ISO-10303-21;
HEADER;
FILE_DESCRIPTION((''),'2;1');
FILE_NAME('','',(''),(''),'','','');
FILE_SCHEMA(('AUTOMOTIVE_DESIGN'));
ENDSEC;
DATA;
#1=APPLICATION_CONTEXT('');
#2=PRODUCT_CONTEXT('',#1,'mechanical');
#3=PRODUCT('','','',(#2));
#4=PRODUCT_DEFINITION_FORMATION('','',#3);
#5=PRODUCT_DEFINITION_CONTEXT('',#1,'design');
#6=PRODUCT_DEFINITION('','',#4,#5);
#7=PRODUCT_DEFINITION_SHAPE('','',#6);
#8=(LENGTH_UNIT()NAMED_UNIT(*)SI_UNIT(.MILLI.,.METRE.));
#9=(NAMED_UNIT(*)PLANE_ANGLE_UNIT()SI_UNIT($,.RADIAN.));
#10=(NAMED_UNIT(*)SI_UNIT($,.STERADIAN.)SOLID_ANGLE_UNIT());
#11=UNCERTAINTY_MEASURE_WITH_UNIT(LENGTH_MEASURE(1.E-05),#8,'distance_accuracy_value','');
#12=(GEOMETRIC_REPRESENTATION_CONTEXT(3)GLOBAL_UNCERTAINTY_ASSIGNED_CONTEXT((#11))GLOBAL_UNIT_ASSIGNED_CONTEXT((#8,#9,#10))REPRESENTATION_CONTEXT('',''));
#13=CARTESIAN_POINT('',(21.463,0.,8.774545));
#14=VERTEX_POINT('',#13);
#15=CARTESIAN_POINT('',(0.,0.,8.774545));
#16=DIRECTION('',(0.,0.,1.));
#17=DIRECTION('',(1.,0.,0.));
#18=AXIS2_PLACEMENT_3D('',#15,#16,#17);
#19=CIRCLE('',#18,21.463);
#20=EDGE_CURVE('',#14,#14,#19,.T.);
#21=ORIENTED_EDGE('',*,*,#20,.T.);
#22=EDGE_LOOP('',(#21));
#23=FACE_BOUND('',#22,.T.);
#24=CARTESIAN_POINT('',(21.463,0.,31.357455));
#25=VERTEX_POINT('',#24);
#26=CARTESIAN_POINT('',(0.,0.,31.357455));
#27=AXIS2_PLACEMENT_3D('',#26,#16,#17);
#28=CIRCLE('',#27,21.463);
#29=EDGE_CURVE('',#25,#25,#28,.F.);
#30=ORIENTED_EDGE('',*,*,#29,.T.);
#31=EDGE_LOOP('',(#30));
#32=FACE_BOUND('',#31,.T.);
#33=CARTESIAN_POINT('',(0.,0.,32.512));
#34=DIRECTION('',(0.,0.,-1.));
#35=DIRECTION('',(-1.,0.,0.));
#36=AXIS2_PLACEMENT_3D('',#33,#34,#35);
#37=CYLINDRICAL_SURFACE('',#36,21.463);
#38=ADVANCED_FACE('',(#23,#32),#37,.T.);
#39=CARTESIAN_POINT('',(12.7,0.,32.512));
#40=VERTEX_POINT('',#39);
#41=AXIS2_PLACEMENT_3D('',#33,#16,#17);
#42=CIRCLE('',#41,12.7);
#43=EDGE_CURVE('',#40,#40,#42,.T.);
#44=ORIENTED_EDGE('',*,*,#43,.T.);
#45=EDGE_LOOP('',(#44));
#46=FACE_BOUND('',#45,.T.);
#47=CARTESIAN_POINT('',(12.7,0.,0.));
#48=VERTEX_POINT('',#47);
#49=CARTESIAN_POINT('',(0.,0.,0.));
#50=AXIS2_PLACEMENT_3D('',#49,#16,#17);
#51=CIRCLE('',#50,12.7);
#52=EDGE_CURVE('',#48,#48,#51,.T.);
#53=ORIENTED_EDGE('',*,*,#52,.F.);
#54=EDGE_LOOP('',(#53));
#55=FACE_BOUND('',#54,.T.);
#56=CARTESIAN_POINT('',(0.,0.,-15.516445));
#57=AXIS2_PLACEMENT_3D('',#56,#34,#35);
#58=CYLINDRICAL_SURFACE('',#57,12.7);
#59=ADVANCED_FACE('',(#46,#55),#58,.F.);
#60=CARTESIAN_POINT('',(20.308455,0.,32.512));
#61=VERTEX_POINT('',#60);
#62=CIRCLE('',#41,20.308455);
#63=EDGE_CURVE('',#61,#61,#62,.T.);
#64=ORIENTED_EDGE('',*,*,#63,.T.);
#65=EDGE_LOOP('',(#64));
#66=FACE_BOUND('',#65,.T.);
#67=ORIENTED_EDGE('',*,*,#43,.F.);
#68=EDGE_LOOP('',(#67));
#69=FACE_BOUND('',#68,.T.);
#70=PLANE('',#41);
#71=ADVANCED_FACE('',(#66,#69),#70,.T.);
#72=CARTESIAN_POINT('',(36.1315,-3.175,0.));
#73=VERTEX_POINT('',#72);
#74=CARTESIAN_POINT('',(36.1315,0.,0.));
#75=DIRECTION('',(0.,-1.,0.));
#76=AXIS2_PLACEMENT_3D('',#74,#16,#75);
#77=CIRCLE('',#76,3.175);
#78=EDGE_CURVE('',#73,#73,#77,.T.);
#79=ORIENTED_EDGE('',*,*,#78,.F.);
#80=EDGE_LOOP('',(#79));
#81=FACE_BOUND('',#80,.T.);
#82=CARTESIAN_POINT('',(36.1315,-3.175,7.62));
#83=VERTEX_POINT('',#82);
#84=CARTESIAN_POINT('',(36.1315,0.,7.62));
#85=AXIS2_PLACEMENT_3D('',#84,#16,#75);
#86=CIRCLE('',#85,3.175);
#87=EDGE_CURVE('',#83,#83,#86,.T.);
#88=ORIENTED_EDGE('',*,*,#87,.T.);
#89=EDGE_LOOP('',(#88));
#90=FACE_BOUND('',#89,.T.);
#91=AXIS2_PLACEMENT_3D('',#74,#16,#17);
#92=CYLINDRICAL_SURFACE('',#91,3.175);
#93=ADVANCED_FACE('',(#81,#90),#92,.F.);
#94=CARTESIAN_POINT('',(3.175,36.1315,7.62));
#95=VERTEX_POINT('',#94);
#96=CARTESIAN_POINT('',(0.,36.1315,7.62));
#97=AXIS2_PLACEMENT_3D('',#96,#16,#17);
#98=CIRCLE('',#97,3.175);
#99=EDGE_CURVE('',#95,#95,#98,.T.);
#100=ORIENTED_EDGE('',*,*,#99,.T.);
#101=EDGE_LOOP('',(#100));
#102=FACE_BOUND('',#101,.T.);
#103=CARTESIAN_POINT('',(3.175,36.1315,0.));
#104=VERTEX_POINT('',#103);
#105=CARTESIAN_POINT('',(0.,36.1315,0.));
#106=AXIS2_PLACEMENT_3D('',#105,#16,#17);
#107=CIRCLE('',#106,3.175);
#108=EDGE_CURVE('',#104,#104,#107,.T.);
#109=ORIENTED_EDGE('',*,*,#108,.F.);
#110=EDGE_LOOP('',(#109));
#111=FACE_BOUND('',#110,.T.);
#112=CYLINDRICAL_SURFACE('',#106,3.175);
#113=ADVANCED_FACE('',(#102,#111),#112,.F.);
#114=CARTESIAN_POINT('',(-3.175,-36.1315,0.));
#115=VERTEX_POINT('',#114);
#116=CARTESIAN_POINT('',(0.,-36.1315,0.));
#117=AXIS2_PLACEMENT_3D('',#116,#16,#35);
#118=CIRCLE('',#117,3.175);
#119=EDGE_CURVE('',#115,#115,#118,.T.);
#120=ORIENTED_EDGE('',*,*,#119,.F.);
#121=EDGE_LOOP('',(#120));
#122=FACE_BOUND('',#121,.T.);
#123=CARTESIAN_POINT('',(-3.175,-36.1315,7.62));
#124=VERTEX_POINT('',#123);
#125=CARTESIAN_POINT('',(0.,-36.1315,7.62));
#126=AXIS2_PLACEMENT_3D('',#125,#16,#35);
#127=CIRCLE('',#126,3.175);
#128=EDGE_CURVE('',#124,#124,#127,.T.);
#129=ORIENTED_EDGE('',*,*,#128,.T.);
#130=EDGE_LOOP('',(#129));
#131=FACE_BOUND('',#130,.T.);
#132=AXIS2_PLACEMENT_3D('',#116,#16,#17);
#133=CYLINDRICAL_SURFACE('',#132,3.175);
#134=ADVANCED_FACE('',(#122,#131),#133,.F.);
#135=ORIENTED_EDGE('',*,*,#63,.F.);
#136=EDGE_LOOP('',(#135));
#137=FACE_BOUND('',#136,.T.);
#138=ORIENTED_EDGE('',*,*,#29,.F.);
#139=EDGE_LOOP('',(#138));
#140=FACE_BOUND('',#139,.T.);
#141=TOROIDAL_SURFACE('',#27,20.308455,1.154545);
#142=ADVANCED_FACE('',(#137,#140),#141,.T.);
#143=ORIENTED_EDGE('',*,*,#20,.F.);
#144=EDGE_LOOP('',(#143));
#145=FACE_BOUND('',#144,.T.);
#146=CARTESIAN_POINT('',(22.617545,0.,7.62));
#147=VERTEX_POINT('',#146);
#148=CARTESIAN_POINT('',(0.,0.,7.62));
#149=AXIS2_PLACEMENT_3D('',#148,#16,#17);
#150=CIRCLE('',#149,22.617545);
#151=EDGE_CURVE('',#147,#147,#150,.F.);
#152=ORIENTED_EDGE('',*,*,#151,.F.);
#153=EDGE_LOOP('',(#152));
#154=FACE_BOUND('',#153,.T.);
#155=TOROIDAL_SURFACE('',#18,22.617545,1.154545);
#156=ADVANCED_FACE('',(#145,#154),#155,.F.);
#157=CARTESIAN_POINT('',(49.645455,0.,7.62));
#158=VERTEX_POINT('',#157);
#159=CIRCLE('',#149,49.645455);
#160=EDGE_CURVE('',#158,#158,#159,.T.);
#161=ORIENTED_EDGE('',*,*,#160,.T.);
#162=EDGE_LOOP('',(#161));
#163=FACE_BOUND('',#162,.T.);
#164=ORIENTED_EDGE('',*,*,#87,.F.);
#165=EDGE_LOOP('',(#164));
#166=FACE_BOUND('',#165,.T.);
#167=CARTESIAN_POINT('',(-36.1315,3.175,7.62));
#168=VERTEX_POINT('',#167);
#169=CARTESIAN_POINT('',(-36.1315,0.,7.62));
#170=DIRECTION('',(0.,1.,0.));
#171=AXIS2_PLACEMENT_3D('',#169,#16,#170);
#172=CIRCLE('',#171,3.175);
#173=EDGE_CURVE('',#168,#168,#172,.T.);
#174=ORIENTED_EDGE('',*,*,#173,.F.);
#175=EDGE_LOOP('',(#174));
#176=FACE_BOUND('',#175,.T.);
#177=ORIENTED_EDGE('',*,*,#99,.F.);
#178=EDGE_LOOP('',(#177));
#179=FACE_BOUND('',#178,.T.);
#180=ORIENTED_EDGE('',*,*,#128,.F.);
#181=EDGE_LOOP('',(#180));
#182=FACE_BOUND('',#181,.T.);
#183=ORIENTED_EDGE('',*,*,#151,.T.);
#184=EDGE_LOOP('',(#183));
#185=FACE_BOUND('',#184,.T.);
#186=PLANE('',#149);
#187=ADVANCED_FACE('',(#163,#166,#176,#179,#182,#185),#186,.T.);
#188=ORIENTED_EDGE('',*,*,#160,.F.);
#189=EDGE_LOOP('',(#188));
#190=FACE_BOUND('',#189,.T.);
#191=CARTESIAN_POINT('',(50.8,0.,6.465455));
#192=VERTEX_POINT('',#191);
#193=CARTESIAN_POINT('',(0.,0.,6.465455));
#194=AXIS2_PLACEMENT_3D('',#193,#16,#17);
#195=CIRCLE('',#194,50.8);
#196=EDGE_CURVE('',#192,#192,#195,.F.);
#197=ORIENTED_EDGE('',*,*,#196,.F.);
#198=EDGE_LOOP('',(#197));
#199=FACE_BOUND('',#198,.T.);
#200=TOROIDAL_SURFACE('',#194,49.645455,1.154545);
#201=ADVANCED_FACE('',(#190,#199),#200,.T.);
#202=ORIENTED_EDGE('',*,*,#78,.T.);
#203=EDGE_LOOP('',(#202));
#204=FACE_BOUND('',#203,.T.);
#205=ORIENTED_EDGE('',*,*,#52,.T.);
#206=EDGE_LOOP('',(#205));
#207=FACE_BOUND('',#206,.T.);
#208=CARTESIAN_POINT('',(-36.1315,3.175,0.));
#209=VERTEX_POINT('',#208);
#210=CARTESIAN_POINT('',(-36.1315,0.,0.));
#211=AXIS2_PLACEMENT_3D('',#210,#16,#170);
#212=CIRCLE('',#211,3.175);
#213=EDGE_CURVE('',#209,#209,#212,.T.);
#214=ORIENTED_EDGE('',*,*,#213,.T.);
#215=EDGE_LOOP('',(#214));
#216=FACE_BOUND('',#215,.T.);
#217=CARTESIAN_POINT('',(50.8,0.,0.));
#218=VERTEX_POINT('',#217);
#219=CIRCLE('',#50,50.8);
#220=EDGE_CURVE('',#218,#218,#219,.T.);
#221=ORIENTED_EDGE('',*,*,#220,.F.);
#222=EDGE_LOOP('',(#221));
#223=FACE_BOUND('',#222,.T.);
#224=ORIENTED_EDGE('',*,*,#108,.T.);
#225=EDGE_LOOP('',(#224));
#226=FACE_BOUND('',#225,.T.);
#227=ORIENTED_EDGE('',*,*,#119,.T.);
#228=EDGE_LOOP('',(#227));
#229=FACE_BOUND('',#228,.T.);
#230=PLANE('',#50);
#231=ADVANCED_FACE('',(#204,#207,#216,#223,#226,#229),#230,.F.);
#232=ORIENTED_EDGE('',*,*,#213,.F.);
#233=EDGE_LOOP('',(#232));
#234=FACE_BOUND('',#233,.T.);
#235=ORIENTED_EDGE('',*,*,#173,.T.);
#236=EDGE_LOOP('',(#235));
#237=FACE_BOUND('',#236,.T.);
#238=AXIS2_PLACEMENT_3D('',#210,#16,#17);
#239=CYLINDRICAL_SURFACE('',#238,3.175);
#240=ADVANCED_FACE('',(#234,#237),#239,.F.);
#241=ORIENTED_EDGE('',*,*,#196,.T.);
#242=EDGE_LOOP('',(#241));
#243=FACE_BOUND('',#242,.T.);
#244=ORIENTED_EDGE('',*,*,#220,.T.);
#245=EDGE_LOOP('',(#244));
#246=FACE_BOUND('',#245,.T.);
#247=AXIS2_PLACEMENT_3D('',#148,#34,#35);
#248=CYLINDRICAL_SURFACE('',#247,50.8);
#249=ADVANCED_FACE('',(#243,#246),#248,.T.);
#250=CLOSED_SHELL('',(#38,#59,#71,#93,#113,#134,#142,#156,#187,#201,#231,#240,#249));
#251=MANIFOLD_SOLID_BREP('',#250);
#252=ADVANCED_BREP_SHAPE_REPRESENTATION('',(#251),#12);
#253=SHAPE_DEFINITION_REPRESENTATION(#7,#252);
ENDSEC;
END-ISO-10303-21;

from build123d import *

# Parameters (mm, degrees)
SKETCH1_R         = 50.8
EXTRUDE1_DEPTH    = 7.62
SKETCH2_R         = 21.463
EXTRUDE2_DEPTH    = 24.892
SKETCH3_R         = 3.175
EXTRUDE3_DEPTH    = 8.62
CIRPATTERN1_COUNT = 4
FILLET1_R         = 1.154545455
SKETCH4_W         = 79.017488084
SKETCH4_H         = 12.7


with BuildPart() as part:
    # Sketch1 → Extrude1 (new body)
    with BuildSketch(Plane.XY):
        Circle(SKETCH1_R)
    extrude(amount=EXTRUDE1_DEPTH)

    # Sketch2 → Extrude2 (add)
    with BuildSketch(Plane.XY.offset(7.62)):
        Circle(SKETCH2_R)
    extrude(amount=EXTRUDE2_DEPTH)

    # Sketch3 → Extrude3 (cut, through all)
    with BuildSketch(Plane.XY.offset(7.62)):
        with Locations((0, 36.1315)):
            Circle(SKETCH3_R)
    extrude3 = extrude(amount=-EXTRUDE3_DEPTH, mode=Mode.SUBTRACT)

    # CirPattern1: Extrude3 ×4 about axis
    cirpattern1_axis = Axis((0, 0, 0), (0, 0, 1))
    for i in range(1, CIRPATTERN1_COUNT):
        add(extrude3.rotate(cirpattern1_axis, i * 360 / CIRPATTERN1_COUNT), mode=Mode.SUBTRACT)

    # Fillet1
    fillet1_edges = [part.edges().sort_by_distance(p)[0] for p in [
        (-50.8, 0, 7.62),
        (-21.463, 0, 7.62),
        (-21.463, 0, 32.512),
    ]]
    fillet(fillet1_edges, radius=FILLET1_R)

    # Sketch4 → Cut-Revolve1 (revolve, cut)
    with BuildSketch(Plane(origin=(0, 0, 63.5), x_dir=(0, 0, -1), z_dir=(1, 0, 0))):
        with Locations((39.507700489, 6.35)):
            Rectangle(SKETCH4_W, SKETCH4_H)
    revolve(axis=Axis((0, 0, -15.516444531), (0, 0, 1)), mode=Mode.SUBTRACT)


solid = part.part
